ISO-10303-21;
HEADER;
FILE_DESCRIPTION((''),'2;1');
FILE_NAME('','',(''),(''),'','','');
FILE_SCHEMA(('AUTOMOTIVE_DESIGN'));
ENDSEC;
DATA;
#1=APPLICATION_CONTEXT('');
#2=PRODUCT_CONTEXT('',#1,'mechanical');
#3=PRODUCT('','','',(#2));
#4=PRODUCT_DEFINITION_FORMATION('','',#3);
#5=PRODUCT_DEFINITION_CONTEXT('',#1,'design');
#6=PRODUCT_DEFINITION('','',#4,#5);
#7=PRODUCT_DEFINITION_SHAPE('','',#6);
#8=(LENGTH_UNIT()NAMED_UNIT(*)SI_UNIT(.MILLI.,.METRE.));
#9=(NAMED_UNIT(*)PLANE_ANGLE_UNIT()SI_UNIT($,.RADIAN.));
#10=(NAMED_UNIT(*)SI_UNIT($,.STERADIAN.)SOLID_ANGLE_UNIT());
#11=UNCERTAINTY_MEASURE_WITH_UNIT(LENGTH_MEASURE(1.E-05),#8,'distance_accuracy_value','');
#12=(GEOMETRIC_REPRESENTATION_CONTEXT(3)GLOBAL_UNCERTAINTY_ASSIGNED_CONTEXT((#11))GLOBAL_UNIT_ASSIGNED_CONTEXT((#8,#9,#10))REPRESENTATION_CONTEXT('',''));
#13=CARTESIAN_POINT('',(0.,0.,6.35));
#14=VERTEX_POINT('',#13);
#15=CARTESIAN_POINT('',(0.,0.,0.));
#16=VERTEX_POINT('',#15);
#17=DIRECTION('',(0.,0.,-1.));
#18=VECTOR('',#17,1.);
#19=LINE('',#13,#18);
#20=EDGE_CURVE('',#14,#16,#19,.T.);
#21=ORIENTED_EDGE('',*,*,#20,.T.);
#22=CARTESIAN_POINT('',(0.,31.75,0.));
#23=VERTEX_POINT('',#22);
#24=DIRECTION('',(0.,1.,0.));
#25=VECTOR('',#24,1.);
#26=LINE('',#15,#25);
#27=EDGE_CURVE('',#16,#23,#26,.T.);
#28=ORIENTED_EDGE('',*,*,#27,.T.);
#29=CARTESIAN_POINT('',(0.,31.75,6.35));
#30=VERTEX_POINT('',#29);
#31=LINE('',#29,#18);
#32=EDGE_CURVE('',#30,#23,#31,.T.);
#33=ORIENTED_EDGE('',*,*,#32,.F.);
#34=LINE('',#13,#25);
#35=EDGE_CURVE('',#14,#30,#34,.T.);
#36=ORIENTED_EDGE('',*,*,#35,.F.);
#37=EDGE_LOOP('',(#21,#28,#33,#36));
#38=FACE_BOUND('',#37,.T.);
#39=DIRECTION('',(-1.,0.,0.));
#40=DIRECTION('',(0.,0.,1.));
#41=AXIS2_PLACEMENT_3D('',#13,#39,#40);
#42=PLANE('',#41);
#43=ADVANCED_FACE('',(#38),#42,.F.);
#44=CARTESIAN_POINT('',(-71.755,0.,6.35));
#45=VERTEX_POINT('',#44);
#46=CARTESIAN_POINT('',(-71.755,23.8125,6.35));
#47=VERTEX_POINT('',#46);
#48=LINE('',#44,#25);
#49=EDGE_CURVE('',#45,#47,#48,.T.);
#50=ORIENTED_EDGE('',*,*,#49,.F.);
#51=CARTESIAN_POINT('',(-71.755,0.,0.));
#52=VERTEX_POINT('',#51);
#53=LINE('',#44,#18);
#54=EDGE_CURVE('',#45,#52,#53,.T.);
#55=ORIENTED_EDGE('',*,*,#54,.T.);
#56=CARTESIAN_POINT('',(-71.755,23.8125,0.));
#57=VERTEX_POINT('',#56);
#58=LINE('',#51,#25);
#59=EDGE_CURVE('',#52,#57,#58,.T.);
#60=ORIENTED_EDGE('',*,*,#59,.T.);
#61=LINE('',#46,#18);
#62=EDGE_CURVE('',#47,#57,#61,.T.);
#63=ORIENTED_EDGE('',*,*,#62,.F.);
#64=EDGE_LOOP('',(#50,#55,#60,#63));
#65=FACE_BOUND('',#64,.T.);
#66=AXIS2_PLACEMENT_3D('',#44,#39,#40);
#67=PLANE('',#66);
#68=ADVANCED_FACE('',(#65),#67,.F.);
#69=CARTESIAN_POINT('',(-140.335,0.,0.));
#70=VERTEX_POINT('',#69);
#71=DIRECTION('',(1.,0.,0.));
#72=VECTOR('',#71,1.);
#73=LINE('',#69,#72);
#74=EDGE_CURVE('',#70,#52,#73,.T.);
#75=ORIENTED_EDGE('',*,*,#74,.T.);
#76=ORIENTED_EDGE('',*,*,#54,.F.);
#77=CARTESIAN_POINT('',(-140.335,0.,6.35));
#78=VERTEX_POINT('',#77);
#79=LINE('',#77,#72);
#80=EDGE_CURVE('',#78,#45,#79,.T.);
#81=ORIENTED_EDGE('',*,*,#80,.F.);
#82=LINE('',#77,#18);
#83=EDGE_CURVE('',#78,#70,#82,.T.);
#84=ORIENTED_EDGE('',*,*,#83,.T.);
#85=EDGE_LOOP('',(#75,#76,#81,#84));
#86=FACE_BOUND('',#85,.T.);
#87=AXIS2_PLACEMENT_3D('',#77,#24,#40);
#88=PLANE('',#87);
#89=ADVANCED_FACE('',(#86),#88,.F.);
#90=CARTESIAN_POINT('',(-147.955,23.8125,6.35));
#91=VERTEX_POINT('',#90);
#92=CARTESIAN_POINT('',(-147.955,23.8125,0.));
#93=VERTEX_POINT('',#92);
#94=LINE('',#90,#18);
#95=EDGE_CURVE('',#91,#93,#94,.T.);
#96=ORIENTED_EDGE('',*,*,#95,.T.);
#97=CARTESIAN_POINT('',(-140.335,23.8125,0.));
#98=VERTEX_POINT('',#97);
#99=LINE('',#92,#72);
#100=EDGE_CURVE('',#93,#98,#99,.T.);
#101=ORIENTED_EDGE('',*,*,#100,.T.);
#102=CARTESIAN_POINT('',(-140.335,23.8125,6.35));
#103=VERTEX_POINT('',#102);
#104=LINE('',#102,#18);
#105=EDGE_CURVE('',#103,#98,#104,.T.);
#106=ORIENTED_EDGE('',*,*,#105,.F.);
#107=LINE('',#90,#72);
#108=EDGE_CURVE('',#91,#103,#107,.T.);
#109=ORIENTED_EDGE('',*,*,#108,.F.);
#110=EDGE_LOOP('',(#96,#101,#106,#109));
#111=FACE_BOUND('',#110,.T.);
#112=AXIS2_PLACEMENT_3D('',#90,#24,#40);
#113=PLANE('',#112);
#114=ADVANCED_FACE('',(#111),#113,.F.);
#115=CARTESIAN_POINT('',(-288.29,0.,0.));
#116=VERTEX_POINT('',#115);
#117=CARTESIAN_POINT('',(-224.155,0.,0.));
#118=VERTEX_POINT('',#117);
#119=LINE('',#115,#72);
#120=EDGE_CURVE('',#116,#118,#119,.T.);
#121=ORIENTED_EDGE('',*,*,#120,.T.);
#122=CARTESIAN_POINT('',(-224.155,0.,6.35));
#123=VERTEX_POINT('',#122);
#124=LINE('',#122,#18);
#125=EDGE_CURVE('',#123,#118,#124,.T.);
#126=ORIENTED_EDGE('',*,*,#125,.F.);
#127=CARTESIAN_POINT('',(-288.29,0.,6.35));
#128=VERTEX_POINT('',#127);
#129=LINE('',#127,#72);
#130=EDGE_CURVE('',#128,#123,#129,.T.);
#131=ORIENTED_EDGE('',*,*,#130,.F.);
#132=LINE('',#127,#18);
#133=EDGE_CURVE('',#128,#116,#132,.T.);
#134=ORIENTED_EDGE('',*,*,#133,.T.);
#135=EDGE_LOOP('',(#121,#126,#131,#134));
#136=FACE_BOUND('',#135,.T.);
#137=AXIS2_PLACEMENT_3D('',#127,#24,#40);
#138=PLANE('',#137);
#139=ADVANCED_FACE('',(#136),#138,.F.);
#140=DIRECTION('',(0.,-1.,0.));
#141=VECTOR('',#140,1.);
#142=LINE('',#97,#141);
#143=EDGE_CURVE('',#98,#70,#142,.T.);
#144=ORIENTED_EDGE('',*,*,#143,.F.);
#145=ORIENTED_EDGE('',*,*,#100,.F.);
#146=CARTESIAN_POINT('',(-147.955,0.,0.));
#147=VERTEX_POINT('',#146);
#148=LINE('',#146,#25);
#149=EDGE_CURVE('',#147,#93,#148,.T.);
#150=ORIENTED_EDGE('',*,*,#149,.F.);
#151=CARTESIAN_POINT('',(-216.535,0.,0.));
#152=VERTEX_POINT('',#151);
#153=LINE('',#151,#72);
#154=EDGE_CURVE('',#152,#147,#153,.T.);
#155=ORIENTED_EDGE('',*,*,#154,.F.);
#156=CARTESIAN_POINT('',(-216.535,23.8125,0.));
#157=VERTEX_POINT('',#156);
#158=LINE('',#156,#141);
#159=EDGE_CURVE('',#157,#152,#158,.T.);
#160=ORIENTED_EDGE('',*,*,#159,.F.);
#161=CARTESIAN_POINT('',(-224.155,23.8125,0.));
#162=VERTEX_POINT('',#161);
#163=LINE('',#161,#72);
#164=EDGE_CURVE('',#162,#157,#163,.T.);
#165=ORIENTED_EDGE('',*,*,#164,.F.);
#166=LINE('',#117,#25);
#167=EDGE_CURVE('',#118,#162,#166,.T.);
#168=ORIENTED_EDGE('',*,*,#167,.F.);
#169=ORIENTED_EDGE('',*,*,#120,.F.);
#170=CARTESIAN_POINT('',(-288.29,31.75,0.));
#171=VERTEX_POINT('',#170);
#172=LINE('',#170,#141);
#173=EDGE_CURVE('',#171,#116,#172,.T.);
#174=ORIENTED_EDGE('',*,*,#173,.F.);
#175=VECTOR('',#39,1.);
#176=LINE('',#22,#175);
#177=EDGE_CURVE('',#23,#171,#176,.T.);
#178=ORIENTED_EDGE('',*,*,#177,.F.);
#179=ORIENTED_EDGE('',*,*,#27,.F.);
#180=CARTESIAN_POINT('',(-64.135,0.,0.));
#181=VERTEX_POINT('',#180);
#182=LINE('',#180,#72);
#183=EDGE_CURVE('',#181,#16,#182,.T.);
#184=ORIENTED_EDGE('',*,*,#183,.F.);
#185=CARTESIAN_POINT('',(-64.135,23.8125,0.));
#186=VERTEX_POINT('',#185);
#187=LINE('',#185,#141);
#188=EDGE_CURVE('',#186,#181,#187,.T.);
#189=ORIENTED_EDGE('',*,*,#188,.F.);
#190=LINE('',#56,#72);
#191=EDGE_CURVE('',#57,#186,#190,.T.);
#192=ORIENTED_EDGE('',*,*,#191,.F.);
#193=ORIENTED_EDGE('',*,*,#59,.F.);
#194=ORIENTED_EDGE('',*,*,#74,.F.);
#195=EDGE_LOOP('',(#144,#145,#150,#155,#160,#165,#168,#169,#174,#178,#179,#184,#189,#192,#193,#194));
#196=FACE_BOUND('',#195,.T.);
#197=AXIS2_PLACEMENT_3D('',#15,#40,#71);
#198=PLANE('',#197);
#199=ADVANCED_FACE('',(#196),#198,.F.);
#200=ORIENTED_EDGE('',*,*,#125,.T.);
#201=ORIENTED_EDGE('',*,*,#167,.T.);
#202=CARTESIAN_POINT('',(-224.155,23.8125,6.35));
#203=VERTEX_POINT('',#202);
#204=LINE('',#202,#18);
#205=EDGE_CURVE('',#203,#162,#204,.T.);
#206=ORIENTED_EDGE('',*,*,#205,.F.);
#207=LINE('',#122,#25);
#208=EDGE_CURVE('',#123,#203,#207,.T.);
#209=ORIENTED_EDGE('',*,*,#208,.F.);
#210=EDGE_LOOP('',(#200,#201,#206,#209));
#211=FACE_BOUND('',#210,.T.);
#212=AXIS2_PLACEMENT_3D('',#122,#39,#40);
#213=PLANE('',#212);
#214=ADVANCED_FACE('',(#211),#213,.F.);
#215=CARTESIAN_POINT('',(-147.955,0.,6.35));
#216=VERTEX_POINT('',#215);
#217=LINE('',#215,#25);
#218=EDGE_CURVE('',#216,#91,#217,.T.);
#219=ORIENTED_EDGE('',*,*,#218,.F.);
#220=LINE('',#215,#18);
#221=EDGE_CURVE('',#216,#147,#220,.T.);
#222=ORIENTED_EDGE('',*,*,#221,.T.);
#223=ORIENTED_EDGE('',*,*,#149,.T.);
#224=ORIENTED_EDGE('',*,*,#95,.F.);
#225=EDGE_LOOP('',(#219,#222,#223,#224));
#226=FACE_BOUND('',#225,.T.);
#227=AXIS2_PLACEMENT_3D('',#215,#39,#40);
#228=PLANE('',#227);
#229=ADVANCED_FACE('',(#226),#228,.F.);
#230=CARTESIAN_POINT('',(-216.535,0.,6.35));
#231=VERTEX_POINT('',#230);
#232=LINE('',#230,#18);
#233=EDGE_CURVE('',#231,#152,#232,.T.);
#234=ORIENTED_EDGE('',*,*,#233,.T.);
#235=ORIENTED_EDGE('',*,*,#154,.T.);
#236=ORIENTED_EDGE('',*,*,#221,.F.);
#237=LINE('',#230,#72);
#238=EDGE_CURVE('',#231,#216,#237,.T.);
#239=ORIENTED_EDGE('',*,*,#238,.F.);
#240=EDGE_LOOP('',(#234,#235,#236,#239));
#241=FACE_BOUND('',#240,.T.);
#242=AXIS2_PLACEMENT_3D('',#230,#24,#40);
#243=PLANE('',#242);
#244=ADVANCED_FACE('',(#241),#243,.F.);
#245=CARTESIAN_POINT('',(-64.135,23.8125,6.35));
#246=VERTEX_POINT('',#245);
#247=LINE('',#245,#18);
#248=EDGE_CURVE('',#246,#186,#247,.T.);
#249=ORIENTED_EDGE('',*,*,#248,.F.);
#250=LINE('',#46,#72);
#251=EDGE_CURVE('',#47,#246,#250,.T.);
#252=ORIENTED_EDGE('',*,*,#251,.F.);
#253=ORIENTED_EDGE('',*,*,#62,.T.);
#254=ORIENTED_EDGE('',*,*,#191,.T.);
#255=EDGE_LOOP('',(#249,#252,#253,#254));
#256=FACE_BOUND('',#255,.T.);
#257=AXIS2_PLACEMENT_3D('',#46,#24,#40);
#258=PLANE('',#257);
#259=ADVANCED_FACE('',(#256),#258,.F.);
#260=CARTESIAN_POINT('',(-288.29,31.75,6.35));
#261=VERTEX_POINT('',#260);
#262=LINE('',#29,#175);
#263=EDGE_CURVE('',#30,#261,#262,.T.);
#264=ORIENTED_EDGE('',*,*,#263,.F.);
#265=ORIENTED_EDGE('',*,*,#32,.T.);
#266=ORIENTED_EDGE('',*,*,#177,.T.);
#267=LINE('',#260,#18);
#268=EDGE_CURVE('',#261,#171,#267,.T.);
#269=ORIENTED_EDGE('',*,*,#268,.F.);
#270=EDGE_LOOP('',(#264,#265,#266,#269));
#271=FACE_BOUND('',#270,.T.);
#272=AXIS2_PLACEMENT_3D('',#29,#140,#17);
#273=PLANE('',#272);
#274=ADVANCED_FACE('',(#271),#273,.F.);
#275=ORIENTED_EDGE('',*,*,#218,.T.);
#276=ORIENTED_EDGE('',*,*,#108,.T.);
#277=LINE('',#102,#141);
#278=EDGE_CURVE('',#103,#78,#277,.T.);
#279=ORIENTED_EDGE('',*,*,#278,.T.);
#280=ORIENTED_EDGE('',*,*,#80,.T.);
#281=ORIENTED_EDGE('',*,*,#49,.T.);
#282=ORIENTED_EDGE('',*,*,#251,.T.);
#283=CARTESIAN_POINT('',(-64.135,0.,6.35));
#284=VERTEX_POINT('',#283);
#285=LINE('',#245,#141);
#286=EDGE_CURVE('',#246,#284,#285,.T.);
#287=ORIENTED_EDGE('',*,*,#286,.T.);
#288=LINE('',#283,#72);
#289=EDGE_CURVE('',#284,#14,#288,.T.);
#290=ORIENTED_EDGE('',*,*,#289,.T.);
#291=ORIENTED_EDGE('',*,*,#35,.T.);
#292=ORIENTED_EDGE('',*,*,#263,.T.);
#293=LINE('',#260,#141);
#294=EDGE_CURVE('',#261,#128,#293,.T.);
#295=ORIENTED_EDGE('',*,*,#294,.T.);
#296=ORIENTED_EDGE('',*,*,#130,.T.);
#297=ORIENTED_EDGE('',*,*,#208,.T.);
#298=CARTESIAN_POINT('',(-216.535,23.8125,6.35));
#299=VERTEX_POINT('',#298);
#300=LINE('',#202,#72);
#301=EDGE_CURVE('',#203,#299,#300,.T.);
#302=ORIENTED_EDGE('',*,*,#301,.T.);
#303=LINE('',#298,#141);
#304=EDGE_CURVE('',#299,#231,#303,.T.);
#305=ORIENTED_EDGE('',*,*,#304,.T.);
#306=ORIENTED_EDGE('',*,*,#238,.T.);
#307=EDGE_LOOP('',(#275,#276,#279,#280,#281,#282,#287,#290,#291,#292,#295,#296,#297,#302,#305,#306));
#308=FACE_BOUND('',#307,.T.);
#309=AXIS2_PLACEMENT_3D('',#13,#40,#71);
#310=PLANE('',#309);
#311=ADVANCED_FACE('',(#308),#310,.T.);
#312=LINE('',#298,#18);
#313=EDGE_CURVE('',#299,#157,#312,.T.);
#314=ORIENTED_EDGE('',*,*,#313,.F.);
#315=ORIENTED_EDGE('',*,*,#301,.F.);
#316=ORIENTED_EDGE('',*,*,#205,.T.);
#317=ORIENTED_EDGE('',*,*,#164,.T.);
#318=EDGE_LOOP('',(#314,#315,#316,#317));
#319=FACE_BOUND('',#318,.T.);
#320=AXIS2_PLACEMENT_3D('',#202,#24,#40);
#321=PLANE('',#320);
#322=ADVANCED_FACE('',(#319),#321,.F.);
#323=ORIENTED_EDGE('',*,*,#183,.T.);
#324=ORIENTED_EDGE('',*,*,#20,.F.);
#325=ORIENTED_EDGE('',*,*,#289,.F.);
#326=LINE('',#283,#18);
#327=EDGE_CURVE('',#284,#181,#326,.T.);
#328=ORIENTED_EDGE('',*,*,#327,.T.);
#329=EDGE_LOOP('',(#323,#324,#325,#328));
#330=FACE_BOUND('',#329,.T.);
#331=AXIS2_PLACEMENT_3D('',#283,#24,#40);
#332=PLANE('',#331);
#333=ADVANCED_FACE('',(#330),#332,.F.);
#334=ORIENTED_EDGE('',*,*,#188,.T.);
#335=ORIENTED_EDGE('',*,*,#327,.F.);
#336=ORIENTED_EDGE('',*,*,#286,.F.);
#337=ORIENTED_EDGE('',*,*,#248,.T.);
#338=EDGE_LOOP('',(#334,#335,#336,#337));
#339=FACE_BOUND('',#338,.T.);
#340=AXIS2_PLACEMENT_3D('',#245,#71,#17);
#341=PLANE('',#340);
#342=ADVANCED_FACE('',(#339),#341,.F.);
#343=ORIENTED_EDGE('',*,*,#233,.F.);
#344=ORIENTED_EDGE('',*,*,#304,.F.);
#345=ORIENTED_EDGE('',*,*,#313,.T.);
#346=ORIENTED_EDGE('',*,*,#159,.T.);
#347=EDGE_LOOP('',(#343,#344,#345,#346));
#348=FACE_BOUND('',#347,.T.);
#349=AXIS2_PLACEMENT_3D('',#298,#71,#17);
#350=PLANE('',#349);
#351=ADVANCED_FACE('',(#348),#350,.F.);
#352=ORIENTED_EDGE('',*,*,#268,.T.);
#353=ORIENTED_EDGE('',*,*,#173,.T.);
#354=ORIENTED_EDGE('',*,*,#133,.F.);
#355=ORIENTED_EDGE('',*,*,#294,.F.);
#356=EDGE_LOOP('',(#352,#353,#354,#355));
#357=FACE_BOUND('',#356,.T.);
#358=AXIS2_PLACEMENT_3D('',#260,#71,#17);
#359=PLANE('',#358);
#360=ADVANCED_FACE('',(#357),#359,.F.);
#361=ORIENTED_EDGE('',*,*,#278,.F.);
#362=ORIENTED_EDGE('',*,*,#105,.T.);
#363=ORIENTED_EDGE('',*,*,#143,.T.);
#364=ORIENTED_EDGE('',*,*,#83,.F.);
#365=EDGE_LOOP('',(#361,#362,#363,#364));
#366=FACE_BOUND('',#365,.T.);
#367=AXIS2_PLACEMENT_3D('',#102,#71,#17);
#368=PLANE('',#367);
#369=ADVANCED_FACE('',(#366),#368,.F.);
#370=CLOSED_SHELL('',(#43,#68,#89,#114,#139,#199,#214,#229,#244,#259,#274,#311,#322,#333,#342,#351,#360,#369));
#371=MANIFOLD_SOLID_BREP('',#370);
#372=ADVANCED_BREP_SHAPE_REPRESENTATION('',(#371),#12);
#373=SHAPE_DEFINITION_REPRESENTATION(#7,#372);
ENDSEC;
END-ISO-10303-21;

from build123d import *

# Parameters (mm, degrees)
BOSS_EXTRUDE1_DEPTH = 6.35


with BuildPart() as part:
    # Sketch1 → Boss-Extrude1 (new body)
    with BuildSketch(Plane.XY):
        Polygon((-216.535, 0), (-147.955, 0), (-147.955, 23.8125), (-140.335, 23.8125), (-140.335, 0), (-71.755, 0), (-71.755, 23.8125), (-64.135, 23.8125), (-64.135, 0), (0, 0), (0, 31.75), (-288.29, 31.75), (-288.29, 0), (-224.155, 0), (-224.155, 23.8125), (-216.535, 23.8125), align=None)
    extrude(amount=BOSS_EXTRUDE1_DEPTH)


solid = part.part
